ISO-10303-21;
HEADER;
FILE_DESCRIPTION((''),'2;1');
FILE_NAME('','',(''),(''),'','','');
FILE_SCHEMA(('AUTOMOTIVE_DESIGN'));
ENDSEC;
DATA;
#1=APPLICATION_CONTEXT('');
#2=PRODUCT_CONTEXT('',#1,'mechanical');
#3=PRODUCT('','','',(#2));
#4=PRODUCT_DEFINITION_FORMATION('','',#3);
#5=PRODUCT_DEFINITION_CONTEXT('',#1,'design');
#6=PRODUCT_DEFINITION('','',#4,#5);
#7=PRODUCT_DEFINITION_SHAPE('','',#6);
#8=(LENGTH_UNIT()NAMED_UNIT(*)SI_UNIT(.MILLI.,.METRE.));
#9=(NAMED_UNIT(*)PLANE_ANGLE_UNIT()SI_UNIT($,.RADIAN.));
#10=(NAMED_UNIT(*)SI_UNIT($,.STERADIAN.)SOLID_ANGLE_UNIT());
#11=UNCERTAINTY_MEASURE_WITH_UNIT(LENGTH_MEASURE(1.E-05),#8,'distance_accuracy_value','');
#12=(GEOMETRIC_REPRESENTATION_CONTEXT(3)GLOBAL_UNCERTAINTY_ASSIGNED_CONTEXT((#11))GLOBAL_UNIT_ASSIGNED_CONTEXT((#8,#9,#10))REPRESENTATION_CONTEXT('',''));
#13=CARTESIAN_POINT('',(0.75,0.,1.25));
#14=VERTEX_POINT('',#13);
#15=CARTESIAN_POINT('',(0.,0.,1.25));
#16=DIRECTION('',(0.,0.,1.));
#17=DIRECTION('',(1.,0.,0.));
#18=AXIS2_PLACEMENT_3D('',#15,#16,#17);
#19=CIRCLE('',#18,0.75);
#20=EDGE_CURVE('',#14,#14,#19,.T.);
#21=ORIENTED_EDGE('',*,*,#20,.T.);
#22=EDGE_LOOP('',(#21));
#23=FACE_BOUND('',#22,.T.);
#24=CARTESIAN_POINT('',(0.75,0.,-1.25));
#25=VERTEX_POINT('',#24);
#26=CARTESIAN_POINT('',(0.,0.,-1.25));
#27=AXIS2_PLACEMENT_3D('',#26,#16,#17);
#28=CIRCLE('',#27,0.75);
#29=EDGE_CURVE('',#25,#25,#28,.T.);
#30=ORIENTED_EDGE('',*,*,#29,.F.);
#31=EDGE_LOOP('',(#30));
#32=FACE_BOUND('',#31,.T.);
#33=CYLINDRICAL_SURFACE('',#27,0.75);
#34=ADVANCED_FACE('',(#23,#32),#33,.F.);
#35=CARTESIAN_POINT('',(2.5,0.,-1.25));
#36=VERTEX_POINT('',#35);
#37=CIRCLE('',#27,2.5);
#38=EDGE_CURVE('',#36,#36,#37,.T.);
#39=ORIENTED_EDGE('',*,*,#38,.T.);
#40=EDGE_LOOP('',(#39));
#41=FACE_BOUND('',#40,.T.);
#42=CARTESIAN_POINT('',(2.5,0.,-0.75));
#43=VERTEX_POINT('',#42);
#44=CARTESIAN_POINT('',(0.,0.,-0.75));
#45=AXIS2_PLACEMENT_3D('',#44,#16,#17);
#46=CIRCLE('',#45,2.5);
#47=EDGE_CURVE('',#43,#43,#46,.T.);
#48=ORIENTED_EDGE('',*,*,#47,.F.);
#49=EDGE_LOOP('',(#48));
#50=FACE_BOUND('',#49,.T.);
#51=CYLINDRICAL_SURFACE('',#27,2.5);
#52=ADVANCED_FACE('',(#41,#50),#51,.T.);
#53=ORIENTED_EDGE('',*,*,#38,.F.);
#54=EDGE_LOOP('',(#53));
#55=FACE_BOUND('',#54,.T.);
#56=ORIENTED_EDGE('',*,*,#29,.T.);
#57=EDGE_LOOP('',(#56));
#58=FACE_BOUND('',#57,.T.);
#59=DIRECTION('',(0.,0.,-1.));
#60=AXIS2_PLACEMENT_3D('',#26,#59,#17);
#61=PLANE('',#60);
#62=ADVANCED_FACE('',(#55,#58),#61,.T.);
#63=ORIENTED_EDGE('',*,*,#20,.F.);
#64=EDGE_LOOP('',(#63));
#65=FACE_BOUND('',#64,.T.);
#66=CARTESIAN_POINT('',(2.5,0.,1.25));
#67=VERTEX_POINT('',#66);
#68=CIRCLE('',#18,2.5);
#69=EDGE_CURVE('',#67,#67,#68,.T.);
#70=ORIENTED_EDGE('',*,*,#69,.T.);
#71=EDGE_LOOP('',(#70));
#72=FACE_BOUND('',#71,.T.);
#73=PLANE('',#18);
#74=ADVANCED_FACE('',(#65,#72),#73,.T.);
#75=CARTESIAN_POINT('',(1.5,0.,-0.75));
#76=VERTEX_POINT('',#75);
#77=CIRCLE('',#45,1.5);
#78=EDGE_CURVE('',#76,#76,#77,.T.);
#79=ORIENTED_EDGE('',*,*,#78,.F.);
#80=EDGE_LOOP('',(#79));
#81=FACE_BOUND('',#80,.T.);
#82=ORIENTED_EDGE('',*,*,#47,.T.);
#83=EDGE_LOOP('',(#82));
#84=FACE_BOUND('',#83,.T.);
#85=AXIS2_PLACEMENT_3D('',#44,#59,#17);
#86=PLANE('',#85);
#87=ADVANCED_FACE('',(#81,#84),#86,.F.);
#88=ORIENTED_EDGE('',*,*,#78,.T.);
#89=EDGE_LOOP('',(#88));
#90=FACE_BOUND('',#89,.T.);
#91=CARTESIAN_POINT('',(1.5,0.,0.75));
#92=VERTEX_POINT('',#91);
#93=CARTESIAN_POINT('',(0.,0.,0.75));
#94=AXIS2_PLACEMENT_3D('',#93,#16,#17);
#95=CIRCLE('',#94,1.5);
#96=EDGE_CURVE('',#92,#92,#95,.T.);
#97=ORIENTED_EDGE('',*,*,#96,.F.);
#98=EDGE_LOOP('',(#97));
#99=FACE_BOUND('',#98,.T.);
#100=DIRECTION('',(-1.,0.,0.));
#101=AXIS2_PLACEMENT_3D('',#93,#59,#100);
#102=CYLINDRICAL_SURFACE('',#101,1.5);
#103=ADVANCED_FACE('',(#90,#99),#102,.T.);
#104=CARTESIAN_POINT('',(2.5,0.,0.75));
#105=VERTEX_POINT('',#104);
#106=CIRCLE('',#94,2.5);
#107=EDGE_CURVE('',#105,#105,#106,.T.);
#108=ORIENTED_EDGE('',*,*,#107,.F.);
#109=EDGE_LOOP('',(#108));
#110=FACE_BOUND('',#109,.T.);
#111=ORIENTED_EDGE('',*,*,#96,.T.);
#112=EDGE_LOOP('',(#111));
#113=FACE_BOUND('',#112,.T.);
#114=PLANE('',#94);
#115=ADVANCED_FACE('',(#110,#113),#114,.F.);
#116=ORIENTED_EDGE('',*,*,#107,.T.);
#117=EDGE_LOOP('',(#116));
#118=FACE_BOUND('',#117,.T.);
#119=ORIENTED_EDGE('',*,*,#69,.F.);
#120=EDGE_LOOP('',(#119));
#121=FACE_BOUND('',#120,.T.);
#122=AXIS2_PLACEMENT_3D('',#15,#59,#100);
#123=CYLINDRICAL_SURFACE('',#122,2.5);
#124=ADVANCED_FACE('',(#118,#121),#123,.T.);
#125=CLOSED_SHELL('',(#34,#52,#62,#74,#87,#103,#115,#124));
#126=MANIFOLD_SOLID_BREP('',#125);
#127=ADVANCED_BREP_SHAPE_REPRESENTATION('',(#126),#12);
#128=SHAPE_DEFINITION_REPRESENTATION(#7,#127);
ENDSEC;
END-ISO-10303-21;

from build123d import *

# Parameters (mm, degrees)
SKETCH1_R           = 1.5
BOSS_EXTRUDE1_DEPTH = 0.75
SKETCH2_R           = 2.5
BOSS_EXTRUDE2_DEPTH = 0.5
SKETCH3_R           = 0.75
CUT_EXTRUDE1_DEPTH  = 5.330127019


with BuildPart() as part:
    # Sketch1 → Boss-Extrude1 (new, symmetric)
    with BuildSketch(Plane.XY):
        Circle(SKETCH1_R)
    extrude(amount=BOSS_EXTRUDE1_DEPTH, both=True)

    # Sketch2 → Boss-Extrude2 (add)
    with BuildSketch(Plane.XY.offset(0.75)):
        Circle(SKETCH2_R)
    boss_extrude2 = extrude(amount=BOSS_EXTRUDE2_DEPTH)

    # Mirror1: Boss-Extrude2 across plane
    add(boss_extrude2.mirror(Plane.XY))

    # Sketch3 → Cut-Extrude1 (cut, through all)
    with BuildSketch(Plane.XY.offset(1.25)):
        Circle(SKETCH3_R)
    extrude(amount=-CUT_EXTRUDE1_DEPTH, mode=Mode.SUBTRACT)


solid = part.part
